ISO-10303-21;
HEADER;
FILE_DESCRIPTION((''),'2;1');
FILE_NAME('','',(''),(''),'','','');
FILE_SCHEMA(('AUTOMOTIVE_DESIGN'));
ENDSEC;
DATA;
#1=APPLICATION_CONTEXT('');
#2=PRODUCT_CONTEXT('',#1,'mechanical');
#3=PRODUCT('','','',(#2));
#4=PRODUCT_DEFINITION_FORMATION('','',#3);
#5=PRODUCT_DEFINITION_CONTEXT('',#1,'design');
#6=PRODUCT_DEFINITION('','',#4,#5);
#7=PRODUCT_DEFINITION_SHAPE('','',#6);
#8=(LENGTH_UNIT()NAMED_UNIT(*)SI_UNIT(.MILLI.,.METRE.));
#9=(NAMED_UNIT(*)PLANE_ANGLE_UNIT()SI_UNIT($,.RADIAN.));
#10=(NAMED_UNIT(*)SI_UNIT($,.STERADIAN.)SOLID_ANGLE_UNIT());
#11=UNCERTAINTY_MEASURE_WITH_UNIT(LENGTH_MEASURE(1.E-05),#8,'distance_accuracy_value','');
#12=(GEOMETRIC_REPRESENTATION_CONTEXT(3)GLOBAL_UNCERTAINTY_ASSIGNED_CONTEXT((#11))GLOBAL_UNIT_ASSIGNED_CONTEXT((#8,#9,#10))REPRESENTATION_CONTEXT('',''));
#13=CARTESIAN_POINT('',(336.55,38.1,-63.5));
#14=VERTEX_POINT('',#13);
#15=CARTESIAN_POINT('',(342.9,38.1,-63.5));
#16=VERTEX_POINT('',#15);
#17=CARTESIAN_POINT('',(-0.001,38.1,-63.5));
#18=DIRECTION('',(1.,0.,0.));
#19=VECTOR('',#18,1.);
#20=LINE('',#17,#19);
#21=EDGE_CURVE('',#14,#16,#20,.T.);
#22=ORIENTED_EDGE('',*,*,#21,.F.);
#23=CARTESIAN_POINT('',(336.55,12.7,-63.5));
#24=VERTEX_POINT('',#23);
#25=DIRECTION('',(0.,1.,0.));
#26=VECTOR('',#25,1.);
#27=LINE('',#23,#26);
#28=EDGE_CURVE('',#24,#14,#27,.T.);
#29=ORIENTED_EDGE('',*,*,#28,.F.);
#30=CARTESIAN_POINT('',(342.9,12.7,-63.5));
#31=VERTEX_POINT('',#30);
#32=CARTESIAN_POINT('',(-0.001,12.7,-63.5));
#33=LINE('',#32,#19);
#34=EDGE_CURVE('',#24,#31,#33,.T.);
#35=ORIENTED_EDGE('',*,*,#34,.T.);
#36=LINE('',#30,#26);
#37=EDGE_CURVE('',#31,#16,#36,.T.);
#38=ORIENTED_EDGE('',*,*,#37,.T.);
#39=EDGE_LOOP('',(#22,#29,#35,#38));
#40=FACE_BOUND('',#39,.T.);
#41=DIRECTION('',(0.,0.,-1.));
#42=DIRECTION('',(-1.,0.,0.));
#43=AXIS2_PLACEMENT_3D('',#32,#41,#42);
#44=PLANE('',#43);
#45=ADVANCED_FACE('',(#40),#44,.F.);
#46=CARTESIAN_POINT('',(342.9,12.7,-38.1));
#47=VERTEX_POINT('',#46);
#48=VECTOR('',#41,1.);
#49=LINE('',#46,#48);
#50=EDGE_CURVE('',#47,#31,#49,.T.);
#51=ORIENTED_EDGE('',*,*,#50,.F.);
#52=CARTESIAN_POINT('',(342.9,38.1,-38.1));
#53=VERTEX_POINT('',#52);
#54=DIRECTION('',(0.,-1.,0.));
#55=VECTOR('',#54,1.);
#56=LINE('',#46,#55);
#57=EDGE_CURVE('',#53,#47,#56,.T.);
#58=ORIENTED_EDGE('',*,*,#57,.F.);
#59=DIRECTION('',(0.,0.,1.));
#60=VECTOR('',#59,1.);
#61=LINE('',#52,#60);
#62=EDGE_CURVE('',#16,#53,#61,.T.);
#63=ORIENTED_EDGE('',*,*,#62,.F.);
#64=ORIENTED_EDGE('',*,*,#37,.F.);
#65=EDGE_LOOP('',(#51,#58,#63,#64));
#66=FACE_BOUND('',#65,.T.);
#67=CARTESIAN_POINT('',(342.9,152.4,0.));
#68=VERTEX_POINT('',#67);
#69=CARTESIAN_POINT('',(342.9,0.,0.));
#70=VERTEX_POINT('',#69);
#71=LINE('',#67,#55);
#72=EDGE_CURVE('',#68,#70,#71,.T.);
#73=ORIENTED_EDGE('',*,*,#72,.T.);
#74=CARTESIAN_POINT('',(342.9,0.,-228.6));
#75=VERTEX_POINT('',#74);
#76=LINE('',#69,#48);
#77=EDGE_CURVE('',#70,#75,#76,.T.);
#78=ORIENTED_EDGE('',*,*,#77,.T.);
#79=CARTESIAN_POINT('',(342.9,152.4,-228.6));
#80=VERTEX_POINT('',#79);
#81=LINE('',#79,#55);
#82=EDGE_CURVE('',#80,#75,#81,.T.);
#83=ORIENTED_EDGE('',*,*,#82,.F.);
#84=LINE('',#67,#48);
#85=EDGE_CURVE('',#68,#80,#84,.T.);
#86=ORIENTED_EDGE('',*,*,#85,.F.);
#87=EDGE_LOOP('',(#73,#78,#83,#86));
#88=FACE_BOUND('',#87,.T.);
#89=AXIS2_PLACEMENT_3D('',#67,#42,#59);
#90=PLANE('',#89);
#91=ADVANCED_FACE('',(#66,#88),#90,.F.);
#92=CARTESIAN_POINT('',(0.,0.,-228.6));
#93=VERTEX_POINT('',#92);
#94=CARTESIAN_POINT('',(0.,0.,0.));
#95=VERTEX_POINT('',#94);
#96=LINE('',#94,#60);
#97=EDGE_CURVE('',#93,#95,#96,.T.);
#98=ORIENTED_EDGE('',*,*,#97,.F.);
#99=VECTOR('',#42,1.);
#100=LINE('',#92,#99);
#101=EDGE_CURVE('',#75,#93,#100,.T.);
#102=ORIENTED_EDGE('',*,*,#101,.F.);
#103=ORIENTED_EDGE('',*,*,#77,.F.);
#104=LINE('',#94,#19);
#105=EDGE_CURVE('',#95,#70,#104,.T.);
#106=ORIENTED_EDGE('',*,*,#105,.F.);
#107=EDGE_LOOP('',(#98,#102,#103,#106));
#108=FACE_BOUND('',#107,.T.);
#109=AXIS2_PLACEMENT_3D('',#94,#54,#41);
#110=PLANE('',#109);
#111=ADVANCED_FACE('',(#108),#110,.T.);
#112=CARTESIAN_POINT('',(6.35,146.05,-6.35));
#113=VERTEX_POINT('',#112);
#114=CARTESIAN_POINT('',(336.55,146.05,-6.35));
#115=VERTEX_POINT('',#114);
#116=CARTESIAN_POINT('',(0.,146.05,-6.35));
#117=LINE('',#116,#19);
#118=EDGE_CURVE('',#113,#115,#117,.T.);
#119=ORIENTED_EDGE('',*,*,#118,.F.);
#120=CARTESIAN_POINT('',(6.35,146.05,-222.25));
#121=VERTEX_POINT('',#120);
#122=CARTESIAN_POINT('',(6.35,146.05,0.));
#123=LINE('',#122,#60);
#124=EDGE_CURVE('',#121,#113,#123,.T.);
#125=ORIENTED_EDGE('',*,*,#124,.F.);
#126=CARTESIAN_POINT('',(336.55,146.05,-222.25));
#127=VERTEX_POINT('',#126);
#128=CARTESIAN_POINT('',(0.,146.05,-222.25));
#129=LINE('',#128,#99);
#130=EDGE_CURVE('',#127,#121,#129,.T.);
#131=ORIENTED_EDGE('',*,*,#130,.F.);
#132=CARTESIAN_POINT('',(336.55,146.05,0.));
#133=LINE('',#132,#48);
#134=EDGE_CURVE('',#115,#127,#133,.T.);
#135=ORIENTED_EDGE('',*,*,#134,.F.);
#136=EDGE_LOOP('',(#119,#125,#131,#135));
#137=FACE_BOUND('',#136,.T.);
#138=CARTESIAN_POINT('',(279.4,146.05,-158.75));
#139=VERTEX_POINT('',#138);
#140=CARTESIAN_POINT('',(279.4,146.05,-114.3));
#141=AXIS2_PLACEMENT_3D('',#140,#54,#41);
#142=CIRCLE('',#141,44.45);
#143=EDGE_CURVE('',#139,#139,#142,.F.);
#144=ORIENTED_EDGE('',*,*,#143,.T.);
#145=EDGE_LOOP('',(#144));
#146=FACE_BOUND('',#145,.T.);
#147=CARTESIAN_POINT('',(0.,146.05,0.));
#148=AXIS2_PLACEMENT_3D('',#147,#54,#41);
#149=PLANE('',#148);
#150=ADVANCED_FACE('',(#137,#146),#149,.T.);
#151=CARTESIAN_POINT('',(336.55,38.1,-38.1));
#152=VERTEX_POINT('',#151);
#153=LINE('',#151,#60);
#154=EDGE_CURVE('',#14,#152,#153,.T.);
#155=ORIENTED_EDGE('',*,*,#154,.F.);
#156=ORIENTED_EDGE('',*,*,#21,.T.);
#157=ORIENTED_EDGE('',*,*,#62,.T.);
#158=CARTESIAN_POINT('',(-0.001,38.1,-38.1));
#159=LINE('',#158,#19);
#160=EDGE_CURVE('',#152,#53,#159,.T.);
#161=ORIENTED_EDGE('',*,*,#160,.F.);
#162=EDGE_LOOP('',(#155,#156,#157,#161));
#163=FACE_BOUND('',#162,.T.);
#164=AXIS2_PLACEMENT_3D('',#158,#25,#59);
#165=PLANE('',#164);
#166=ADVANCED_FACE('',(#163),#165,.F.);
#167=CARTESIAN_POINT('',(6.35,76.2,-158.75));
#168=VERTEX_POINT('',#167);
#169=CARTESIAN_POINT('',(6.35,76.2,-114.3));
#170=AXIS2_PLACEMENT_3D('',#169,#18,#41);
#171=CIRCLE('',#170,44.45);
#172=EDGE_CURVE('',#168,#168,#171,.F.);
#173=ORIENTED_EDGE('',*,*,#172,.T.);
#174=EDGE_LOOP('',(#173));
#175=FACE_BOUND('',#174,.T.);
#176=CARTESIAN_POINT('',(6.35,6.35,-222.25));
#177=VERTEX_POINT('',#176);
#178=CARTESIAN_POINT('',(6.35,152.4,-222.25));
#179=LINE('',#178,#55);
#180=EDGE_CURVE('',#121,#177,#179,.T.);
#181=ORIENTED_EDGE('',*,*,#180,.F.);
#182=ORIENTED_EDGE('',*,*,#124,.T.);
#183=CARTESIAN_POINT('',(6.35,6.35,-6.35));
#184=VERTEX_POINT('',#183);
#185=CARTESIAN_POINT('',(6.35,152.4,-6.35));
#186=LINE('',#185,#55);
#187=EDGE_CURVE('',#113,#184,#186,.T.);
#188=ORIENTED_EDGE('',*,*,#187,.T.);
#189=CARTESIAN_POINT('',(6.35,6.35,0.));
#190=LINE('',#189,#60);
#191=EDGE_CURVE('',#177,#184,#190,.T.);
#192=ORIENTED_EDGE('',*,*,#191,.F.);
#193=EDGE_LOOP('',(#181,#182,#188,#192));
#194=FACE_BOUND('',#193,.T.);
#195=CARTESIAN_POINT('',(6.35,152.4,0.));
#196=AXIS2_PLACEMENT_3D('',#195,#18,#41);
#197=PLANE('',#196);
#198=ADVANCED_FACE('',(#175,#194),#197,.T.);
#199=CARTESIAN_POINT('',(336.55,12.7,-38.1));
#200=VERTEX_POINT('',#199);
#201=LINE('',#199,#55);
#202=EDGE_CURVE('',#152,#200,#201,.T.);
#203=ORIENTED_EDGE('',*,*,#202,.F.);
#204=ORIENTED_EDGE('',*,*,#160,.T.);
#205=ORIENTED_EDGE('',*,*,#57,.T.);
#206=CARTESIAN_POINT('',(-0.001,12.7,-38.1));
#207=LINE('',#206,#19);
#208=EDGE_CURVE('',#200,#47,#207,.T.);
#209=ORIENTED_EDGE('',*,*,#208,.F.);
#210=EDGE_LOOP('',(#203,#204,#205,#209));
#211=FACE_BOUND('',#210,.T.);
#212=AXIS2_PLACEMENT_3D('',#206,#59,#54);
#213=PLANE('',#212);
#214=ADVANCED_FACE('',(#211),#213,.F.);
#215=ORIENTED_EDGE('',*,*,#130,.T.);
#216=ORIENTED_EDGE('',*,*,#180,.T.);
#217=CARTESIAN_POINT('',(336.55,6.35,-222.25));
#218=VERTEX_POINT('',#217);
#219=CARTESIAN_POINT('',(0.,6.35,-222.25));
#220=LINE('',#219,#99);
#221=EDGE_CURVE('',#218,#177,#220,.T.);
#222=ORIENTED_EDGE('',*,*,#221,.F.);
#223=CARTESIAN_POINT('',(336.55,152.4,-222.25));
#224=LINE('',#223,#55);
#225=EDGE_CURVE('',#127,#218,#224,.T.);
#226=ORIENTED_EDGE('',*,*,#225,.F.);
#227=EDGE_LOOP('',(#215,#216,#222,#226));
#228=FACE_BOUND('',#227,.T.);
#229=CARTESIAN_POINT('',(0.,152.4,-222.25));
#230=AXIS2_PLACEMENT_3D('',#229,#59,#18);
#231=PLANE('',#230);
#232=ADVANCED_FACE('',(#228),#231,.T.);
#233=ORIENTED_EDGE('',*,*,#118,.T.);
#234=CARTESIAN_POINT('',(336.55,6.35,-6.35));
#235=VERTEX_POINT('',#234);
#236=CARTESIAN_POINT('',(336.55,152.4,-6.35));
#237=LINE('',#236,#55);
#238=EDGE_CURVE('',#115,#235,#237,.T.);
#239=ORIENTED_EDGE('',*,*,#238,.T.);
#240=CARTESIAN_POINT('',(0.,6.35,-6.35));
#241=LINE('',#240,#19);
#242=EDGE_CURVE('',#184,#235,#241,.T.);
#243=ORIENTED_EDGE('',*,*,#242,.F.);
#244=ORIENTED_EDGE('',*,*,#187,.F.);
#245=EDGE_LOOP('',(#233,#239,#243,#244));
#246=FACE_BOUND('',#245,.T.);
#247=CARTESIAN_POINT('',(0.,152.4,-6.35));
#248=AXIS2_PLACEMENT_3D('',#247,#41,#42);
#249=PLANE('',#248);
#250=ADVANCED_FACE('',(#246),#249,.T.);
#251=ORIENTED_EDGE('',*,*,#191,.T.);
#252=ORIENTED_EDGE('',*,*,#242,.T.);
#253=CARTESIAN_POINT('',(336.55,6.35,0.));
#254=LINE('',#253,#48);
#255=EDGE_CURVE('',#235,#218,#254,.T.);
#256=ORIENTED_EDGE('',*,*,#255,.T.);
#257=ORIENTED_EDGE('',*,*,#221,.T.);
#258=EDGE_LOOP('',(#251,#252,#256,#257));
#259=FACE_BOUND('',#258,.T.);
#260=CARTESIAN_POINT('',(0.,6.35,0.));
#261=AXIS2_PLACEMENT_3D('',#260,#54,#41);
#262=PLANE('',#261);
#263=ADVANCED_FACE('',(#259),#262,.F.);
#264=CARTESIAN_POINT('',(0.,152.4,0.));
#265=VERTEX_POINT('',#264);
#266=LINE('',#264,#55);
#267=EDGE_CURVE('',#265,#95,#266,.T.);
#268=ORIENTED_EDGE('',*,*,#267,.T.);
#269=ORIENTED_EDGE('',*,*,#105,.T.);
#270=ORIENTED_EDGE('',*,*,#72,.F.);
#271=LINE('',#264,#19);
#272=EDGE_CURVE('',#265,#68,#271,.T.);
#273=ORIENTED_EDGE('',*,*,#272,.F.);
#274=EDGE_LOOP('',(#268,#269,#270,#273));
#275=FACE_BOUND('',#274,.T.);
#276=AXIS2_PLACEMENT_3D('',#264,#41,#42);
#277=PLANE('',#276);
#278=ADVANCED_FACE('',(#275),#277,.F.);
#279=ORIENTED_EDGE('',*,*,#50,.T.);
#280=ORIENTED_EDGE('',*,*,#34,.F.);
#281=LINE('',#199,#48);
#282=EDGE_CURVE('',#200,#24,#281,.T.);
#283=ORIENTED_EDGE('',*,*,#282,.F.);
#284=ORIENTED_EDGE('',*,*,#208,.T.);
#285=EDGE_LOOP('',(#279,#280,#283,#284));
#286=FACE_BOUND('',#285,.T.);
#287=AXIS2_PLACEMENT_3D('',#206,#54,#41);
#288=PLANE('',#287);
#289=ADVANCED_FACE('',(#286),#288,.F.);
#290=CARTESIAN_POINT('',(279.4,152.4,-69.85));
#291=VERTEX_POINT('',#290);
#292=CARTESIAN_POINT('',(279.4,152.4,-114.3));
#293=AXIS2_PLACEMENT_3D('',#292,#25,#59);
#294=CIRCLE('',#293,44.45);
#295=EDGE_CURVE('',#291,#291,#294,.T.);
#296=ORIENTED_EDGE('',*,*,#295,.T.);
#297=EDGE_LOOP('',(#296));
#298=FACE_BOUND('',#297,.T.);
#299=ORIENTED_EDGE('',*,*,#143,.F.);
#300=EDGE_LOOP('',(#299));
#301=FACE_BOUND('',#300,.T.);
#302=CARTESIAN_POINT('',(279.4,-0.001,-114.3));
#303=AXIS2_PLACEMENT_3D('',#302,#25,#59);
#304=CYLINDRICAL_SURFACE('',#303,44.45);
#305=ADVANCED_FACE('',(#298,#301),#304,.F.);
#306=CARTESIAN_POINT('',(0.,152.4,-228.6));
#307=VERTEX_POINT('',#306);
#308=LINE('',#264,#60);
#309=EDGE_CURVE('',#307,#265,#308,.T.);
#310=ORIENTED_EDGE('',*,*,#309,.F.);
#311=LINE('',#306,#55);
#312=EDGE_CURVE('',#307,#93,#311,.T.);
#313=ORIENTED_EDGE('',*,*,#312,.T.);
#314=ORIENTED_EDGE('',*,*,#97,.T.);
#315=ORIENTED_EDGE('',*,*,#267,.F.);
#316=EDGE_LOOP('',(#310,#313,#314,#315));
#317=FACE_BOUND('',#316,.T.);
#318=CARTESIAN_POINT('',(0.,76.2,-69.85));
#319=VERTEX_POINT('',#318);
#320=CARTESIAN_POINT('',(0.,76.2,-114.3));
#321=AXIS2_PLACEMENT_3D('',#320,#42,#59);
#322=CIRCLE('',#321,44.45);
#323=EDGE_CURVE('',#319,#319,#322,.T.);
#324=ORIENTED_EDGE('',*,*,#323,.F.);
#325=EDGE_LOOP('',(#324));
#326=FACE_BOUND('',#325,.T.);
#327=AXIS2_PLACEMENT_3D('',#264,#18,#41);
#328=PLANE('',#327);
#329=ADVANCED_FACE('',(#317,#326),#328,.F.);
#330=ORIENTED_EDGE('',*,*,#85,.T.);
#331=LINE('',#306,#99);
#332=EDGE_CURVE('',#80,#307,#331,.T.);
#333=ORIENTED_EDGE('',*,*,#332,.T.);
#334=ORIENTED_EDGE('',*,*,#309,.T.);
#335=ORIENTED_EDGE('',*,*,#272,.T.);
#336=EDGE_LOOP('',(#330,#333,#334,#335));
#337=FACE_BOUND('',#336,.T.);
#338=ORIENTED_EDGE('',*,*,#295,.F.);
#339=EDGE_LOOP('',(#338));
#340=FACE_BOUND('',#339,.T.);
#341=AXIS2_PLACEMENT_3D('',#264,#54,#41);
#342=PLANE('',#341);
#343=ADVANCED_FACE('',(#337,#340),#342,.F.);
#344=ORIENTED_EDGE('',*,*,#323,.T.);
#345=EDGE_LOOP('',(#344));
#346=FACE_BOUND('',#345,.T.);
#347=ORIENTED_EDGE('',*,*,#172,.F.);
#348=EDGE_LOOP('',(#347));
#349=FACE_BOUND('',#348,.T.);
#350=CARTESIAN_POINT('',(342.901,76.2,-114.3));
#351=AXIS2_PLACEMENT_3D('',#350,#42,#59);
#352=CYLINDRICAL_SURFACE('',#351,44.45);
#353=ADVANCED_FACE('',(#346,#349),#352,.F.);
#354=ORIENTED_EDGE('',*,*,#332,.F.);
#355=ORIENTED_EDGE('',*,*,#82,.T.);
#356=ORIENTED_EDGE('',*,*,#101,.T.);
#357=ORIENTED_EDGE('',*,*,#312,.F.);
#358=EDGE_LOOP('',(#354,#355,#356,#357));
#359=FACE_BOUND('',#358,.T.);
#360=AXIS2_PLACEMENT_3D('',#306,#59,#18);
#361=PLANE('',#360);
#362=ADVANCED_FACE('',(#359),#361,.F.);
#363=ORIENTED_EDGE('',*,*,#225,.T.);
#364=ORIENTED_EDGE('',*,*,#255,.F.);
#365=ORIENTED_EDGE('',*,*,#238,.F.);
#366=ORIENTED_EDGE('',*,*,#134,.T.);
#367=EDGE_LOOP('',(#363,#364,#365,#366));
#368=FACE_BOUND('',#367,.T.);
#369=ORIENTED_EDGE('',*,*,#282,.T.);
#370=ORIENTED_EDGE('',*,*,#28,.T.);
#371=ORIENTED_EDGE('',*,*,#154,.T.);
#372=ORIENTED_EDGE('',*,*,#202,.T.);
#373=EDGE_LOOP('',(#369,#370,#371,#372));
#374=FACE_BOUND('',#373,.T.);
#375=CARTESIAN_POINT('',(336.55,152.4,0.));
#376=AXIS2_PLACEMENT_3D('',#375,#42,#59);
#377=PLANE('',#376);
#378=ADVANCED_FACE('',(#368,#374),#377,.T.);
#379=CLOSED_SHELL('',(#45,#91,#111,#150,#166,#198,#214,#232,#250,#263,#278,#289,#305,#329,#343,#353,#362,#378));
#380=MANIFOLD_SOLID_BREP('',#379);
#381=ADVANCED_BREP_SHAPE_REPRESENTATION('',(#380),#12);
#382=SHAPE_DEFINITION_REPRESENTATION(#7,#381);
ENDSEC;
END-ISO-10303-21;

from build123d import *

# Parameters (mm, degrees)
SKETCH1_W             = 342.9
SKETCH1_H             = 228.6
MAIN_BOX_DEPTH        = 152.4
SHELL1_T              = 6.35
TOP_HOLE_REACH        = 154.4
SKETCH2_R             = 44.45
SIDE_HOLE_REACH       = 344.9
SKETCH3_R             = 44.45
POWER_CORD_HOLE_REACH = 344.9
SKETCH4_W             = 25.4
SKETCH4_H             = 25.4


with BuildPart() as part:
    # Sketch1 → main box (new body)
    with BuildSketch(Plane(origin=(0, 0, 0), x_dir=(1, 0, 0), z_dir=(0, 1, 0))):
        with Locations((171.45, 114.3)):
            Rectangle(SKETCH1_W, SKETCH1_H)
    extrude(amount=MAIN_BOX_DEPTH)

    # Shell1 (no face opened: a closed hollow body)
    add(offset(amount=-SHELL1_T, mode=Mode.PRIVATE), mode=Mode.SUBTRACT)

    # Sketch2 → top hole (cut, up to next)
    with BuildSketch(Plane(origin=(0, 152.4, 0), x_dir=(1, 0, 0), z_dir=(0, 1, 0)), mode=Mode.PRIVATE) as top_hole_sk1:
        with Locations((279.4, 114.3)):
            Circle(SKETCH2_R)
    top_hole_tool1 = extrude(top_hole_sk1.sketch, amount=-TOP_HOLE_REACH, mode=Mode.PRIVATE) & part.part
    add(top_hole_tool1.solids().sort_by_distance((279.4, 152.4, -114.3))[0], mode=Mode.SUBTRACT)

    # Sketch3 → side hole (cut, up to next)
    with BuildSketch(Plane.ZY, mode=Mode.PRIVATE) as side_hole_sk1:
        with Locations((-114.3, 76.2)):
            Circle(SKETCH3_R)
    side_hole_tool1 = extrude(side_hole_sk1.sketch, amount=-SIDE_HOLE_REACH, mode=Mode.PRIVATE) & part.part
    add(side_hole_tool1.solids().sort_by_distance((0, 76.2, -114.3))[0], mode=Mode.SUBTRACT)

    # Sketch4 → power cord hole (cut, up to next)
    with BuildSketch(Plane(origin=(342.9, 0, 0), x_dir=(0, 0, -1), z_dir=(1, 0, 0)), mode=Mode.PRIVATE) as power_cord_hole_sk1:
        with Locations((50.8, 25.4)):
            Rectangle(SKETCH4_W, SKETCH4_H)
    power_cord_hole_tool1 = extrude(power_cord_hole_sk1.sketch, amount=-POWER_CORD_HOLE_REACH, mode=Mode.PRIVATE) & part.part
    add(power_cord_hole_tool1.solids().sort_by_distance((342.9, 25.4, -50.8))[0], mode=Mode.SUBTRACT)


solid = part.part
